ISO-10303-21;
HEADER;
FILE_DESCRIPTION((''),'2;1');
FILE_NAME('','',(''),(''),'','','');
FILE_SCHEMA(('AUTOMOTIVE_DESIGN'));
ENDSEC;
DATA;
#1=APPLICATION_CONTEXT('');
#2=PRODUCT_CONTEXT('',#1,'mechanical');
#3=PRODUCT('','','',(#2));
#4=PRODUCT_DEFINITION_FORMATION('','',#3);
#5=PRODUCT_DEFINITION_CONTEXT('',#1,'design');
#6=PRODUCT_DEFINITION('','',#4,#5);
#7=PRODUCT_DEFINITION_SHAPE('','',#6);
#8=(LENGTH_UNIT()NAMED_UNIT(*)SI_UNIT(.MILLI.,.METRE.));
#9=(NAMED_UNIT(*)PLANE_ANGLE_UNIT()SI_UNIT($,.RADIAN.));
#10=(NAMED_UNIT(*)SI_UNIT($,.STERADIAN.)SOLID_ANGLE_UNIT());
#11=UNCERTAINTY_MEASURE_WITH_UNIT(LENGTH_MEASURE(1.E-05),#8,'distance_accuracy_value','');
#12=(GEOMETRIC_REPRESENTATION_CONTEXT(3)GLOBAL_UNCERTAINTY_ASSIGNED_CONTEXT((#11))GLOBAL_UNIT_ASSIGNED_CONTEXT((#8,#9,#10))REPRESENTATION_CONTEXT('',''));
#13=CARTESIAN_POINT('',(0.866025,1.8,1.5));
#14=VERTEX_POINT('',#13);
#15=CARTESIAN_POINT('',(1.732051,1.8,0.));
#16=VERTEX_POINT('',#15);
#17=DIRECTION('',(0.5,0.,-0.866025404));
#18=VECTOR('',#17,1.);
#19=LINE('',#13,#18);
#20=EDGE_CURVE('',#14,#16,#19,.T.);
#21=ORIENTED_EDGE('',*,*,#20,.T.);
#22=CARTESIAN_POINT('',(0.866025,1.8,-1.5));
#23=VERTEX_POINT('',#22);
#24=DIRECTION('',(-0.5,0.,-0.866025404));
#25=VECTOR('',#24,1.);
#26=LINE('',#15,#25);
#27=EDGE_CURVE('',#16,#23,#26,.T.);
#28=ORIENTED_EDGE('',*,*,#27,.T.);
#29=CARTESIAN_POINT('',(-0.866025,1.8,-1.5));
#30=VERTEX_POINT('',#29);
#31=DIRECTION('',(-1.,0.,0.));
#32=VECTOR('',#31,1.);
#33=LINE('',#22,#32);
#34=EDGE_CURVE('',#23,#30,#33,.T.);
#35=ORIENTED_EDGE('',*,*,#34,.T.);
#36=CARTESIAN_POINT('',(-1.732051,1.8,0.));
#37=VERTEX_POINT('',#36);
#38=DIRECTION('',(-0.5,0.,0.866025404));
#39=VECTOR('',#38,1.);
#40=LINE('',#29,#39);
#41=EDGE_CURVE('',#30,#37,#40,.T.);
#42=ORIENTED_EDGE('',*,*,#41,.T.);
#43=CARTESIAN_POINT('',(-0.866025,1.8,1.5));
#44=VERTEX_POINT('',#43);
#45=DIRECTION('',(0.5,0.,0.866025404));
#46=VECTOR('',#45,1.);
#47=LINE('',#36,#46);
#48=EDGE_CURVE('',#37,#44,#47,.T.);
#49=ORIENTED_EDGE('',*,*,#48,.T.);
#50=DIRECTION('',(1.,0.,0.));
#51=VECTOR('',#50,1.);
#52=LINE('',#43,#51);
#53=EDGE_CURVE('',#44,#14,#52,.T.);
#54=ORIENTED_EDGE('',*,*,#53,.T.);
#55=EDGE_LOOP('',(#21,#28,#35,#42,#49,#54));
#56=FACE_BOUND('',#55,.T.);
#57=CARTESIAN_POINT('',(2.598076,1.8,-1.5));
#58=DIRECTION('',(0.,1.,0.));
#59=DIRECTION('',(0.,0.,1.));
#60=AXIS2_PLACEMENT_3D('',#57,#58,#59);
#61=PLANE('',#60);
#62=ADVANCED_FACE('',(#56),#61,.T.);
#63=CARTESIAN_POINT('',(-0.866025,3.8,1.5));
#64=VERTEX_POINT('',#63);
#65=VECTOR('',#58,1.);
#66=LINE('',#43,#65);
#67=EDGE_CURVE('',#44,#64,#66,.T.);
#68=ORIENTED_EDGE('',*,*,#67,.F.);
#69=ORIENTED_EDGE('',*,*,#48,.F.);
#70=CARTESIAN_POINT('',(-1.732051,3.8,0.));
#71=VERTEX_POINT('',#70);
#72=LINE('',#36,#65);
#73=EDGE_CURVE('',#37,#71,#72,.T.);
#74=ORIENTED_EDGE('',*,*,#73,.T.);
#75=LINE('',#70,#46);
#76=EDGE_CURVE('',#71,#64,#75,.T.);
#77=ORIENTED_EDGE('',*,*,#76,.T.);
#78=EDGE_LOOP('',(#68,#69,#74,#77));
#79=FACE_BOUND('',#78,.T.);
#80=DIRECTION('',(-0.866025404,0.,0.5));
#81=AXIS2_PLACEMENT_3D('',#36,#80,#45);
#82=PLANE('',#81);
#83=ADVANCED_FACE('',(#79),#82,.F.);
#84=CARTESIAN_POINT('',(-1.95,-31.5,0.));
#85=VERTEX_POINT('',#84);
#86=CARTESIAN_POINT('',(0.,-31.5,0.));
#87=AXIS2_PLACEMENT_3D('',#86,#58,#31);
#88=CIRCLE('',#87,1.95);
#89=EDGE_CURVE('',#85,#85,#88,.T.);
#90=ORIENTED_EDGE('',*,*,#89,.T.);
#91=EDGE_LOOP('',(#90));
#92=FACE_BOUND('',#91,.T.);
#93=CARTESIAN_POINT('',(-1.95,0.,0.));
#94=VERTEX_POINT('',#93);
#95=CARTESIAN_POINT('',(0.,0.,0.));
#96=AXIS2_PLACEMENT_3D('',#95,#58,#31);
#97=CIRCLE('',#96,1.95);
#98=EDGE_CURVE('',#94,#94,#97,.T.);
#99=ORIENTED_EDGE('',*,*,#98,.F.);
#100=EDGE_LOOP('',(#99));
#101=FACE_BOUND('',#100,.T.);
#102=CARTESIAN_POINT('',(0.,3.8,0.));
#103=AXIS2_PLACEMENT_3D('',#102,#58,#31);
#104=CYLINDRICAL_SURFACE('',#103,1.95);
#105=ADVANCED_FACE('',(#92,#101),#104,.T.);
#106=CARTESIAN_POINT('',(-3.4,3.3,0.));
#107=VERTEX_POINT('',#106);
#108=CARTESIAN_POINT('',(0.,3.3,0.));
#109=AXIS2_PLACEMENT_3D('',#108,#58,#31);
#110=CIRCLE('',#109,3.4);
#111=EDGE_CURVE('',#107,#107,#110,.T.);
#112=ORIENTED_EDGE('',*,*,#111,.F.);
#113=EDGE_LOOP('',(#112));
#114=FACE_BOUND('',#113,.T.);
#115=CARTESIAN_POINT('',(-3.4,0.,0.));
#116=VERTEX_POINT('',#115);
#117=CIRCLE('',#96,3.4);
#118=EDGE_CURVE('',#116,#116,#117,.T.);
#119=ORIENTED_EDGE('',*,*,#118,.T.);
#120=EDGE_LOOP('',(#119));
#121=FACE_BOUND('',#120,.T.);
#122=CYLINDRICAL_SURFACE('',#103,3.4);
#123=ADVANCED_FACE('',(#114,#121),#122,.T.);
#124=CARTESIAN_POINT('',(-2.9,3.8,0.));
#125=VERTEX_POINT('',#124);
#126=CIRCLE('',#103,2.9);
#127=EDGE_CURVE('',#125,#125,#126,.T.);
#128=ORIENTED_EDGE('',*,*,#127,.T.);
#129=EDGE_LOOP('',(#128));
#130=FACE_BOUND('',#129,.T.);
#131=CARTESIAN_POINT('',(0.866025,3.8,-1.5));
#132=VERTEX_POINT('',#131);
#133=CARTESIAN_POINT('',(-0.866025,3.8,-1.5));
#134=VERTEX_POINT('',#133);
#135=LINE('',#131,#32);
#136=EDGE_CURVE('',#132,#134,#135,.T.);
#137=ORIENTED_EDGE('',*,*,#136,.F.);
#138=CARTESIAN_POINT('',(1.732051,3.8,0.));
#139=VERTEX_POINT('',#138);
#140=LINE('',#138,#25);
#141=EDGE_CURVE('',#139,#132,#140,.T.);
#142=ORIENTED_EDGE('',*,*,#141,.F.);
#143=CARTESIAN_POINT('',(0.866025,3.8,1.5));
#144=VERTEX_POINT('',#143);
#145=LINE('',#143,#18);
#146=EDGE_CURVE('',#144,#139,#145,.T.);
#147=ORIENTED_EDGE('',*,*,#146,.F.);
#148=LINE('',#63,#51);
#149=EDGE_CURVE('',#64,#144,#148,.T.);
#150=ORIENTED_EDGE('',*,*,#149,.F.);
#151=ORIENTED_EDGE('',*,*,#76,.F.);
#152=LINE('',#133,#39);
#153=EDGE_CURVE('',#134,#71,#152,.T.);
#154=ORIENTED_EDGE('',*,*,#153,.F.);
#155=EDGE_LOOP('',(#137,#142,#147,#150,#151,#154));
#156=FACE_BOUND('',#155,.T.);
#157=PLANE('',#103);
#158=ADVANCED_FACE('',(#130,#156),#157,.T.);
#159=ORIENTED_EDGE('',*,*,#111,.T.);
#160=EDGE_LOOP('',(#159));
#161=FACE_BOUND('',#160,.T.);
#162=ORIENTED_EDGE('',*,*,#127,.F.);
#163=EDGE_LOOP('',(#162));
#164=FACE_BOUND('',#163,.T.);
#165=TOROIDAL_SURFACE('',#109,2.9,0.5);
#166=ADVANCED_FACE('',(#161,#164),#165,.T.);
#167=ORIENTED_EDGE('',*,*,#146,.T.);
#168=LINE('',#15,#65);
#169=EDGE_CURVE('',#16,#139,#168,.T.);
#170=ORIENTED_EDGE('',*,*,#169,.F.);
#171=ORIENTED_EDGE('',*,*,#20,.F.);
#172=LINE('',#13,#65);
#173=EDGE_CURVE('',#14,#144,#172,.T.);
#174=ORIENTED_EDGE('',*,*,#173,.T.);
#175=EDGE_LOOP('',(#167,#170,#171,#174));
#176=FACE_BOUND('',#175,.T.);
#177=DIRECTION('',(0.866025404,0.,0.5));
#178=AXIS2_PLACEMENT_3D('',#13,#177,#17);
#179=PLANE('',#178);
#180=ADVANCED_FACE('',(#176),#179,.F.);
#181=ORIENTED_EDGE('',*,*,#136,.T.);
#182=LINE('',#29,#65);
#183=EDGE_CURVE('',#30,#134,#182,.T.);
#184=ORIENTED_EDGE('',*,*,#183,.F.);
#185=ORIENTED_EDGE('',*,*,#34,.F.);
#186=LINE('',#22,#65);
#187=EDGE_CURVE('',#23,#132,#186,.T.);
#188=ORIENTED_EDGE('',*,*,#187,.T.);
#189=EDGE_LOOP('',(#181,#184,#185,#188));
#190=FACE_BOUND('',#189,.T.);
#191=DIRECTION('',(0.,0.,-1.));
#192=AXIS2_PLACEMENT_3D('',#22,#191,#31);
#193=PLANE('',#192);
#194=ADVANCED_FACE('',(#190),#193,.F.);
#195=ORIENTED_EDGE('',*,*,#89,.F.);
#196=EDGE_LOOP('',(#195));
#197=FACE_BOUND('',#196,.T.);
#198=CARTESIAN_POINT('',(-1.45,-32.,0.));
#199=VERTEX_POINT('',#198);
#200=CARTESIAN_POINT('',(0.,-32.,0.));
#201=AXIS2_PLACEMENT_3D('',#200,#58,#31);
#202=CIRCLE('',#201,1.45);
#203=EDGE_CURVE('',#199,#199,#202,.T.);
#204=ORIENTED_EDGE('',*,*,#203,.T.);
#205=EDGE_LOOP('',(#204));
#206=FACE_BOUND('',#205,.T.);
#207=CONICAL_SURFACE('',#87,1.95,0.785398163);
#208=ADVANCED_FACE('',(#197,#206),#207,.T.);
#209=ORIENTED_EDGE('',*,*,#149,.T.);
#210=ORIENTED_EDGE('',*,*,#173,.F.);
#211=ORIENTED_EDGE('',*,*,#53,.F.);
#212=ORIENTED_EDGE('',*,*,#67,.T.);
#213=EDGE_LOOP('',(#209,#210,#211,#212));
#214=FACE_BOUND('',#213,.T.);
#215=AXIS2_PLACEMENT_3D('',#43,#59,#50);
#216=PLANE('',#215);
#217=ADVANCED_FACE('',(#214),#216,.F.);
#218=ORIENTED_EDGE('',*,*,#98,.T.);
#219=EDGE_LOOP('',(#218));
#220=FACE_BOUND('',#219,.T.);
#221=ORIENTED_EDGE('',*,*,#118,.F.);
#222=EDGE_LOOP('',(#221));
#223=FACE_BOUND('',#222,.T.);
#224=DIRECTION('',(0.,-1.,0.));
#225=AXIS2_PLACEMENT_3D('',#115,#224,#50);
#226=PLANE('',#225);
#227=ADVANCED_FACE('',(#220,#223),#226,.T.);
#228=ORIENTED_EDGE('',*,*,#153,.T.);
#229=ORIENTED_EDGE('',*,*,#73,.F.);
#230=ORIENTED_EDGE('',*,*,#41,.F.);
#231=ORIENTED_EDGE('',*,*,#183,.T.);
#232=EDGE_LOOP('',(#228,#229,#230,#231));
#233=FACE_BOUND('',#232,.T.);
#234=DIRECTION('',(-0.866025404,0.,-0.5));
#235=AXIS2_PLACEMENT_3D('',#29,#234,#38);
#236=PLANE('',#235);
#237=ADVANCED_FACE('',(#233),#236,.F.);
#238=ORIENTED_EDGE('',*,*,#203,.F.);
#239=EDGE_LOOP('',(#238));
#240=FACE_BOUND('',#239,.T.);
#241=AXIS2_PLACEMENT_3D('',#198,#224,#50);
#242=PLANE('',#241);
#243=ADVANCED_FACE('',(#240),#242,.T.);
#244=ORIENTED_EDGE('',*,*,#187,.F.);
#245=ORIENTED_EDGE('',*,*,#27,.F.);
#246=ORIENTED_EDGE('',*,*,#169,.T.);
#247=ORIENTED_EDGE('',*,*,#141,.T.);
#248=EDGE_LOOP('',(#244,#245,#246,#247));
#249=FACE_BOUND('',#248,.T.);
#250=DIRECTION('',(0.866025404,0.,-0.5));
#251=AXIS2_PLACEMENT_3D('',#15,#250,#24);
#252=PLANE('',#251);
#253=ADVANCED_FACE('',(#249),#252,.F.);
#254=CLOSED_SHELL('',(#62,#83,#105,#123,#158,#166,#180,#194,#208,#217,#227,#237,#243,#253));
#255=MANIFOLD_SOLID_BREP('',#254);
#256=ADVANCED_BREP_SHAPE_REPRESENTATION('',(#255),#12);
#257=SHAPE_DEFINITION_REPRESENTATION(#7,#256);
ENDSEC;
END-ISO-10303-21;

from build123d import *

# Parameters (mm, degrees)
ENL_V_MAT_EXTRU_1_DEPTH = 2


with BuildPart() as part:
    # Esquisse1 → Révolution1 (revolve)
    with BuildSketch(Plane.XY):
        with BuildLine():
            Line((0, 3.8), (-2.9, 3.8))
            ThreePointArc((-2.9, 3.8), (-3.253553391, 3.653553391), (-3.4, 3.3))
            Line((-3.4, 3.3), (-3.4, 0))
            Line((-3.4, 0), (-1.95, 0))
            Line((-1.95, 0), (-1.95, -31.5))
            Line((-1.95, -31.5), (-1.45, -32))
            Line((-1.45, -32), (0, -32))
            Line((0, -32), (0, 3.8))
        make_face()
    revolve(axis=Axis((0, 3.8, 0), (0, -1, 0)))

    # Esquisse2 → Enlèv. mat.-Extru.1 (cut)
    with BuildSketch(Plane(origin=(0, 3.8, 0), x_dir=(-1, 0, 0), z_dir=(0, 1, 0))):
        Polygon((-1.732050808, 0), (-0.866025404, -1.5), (0.866025404, -1.5), (1.732050808, 0), (0.866025404, 1.5), (-0.866025404, 1.5), align=None)
    extrude(amount=-ENL_V_MAT_EXTRU_1_DEPTH, mode=Mode.SUBTRACT)


solid = part.part
